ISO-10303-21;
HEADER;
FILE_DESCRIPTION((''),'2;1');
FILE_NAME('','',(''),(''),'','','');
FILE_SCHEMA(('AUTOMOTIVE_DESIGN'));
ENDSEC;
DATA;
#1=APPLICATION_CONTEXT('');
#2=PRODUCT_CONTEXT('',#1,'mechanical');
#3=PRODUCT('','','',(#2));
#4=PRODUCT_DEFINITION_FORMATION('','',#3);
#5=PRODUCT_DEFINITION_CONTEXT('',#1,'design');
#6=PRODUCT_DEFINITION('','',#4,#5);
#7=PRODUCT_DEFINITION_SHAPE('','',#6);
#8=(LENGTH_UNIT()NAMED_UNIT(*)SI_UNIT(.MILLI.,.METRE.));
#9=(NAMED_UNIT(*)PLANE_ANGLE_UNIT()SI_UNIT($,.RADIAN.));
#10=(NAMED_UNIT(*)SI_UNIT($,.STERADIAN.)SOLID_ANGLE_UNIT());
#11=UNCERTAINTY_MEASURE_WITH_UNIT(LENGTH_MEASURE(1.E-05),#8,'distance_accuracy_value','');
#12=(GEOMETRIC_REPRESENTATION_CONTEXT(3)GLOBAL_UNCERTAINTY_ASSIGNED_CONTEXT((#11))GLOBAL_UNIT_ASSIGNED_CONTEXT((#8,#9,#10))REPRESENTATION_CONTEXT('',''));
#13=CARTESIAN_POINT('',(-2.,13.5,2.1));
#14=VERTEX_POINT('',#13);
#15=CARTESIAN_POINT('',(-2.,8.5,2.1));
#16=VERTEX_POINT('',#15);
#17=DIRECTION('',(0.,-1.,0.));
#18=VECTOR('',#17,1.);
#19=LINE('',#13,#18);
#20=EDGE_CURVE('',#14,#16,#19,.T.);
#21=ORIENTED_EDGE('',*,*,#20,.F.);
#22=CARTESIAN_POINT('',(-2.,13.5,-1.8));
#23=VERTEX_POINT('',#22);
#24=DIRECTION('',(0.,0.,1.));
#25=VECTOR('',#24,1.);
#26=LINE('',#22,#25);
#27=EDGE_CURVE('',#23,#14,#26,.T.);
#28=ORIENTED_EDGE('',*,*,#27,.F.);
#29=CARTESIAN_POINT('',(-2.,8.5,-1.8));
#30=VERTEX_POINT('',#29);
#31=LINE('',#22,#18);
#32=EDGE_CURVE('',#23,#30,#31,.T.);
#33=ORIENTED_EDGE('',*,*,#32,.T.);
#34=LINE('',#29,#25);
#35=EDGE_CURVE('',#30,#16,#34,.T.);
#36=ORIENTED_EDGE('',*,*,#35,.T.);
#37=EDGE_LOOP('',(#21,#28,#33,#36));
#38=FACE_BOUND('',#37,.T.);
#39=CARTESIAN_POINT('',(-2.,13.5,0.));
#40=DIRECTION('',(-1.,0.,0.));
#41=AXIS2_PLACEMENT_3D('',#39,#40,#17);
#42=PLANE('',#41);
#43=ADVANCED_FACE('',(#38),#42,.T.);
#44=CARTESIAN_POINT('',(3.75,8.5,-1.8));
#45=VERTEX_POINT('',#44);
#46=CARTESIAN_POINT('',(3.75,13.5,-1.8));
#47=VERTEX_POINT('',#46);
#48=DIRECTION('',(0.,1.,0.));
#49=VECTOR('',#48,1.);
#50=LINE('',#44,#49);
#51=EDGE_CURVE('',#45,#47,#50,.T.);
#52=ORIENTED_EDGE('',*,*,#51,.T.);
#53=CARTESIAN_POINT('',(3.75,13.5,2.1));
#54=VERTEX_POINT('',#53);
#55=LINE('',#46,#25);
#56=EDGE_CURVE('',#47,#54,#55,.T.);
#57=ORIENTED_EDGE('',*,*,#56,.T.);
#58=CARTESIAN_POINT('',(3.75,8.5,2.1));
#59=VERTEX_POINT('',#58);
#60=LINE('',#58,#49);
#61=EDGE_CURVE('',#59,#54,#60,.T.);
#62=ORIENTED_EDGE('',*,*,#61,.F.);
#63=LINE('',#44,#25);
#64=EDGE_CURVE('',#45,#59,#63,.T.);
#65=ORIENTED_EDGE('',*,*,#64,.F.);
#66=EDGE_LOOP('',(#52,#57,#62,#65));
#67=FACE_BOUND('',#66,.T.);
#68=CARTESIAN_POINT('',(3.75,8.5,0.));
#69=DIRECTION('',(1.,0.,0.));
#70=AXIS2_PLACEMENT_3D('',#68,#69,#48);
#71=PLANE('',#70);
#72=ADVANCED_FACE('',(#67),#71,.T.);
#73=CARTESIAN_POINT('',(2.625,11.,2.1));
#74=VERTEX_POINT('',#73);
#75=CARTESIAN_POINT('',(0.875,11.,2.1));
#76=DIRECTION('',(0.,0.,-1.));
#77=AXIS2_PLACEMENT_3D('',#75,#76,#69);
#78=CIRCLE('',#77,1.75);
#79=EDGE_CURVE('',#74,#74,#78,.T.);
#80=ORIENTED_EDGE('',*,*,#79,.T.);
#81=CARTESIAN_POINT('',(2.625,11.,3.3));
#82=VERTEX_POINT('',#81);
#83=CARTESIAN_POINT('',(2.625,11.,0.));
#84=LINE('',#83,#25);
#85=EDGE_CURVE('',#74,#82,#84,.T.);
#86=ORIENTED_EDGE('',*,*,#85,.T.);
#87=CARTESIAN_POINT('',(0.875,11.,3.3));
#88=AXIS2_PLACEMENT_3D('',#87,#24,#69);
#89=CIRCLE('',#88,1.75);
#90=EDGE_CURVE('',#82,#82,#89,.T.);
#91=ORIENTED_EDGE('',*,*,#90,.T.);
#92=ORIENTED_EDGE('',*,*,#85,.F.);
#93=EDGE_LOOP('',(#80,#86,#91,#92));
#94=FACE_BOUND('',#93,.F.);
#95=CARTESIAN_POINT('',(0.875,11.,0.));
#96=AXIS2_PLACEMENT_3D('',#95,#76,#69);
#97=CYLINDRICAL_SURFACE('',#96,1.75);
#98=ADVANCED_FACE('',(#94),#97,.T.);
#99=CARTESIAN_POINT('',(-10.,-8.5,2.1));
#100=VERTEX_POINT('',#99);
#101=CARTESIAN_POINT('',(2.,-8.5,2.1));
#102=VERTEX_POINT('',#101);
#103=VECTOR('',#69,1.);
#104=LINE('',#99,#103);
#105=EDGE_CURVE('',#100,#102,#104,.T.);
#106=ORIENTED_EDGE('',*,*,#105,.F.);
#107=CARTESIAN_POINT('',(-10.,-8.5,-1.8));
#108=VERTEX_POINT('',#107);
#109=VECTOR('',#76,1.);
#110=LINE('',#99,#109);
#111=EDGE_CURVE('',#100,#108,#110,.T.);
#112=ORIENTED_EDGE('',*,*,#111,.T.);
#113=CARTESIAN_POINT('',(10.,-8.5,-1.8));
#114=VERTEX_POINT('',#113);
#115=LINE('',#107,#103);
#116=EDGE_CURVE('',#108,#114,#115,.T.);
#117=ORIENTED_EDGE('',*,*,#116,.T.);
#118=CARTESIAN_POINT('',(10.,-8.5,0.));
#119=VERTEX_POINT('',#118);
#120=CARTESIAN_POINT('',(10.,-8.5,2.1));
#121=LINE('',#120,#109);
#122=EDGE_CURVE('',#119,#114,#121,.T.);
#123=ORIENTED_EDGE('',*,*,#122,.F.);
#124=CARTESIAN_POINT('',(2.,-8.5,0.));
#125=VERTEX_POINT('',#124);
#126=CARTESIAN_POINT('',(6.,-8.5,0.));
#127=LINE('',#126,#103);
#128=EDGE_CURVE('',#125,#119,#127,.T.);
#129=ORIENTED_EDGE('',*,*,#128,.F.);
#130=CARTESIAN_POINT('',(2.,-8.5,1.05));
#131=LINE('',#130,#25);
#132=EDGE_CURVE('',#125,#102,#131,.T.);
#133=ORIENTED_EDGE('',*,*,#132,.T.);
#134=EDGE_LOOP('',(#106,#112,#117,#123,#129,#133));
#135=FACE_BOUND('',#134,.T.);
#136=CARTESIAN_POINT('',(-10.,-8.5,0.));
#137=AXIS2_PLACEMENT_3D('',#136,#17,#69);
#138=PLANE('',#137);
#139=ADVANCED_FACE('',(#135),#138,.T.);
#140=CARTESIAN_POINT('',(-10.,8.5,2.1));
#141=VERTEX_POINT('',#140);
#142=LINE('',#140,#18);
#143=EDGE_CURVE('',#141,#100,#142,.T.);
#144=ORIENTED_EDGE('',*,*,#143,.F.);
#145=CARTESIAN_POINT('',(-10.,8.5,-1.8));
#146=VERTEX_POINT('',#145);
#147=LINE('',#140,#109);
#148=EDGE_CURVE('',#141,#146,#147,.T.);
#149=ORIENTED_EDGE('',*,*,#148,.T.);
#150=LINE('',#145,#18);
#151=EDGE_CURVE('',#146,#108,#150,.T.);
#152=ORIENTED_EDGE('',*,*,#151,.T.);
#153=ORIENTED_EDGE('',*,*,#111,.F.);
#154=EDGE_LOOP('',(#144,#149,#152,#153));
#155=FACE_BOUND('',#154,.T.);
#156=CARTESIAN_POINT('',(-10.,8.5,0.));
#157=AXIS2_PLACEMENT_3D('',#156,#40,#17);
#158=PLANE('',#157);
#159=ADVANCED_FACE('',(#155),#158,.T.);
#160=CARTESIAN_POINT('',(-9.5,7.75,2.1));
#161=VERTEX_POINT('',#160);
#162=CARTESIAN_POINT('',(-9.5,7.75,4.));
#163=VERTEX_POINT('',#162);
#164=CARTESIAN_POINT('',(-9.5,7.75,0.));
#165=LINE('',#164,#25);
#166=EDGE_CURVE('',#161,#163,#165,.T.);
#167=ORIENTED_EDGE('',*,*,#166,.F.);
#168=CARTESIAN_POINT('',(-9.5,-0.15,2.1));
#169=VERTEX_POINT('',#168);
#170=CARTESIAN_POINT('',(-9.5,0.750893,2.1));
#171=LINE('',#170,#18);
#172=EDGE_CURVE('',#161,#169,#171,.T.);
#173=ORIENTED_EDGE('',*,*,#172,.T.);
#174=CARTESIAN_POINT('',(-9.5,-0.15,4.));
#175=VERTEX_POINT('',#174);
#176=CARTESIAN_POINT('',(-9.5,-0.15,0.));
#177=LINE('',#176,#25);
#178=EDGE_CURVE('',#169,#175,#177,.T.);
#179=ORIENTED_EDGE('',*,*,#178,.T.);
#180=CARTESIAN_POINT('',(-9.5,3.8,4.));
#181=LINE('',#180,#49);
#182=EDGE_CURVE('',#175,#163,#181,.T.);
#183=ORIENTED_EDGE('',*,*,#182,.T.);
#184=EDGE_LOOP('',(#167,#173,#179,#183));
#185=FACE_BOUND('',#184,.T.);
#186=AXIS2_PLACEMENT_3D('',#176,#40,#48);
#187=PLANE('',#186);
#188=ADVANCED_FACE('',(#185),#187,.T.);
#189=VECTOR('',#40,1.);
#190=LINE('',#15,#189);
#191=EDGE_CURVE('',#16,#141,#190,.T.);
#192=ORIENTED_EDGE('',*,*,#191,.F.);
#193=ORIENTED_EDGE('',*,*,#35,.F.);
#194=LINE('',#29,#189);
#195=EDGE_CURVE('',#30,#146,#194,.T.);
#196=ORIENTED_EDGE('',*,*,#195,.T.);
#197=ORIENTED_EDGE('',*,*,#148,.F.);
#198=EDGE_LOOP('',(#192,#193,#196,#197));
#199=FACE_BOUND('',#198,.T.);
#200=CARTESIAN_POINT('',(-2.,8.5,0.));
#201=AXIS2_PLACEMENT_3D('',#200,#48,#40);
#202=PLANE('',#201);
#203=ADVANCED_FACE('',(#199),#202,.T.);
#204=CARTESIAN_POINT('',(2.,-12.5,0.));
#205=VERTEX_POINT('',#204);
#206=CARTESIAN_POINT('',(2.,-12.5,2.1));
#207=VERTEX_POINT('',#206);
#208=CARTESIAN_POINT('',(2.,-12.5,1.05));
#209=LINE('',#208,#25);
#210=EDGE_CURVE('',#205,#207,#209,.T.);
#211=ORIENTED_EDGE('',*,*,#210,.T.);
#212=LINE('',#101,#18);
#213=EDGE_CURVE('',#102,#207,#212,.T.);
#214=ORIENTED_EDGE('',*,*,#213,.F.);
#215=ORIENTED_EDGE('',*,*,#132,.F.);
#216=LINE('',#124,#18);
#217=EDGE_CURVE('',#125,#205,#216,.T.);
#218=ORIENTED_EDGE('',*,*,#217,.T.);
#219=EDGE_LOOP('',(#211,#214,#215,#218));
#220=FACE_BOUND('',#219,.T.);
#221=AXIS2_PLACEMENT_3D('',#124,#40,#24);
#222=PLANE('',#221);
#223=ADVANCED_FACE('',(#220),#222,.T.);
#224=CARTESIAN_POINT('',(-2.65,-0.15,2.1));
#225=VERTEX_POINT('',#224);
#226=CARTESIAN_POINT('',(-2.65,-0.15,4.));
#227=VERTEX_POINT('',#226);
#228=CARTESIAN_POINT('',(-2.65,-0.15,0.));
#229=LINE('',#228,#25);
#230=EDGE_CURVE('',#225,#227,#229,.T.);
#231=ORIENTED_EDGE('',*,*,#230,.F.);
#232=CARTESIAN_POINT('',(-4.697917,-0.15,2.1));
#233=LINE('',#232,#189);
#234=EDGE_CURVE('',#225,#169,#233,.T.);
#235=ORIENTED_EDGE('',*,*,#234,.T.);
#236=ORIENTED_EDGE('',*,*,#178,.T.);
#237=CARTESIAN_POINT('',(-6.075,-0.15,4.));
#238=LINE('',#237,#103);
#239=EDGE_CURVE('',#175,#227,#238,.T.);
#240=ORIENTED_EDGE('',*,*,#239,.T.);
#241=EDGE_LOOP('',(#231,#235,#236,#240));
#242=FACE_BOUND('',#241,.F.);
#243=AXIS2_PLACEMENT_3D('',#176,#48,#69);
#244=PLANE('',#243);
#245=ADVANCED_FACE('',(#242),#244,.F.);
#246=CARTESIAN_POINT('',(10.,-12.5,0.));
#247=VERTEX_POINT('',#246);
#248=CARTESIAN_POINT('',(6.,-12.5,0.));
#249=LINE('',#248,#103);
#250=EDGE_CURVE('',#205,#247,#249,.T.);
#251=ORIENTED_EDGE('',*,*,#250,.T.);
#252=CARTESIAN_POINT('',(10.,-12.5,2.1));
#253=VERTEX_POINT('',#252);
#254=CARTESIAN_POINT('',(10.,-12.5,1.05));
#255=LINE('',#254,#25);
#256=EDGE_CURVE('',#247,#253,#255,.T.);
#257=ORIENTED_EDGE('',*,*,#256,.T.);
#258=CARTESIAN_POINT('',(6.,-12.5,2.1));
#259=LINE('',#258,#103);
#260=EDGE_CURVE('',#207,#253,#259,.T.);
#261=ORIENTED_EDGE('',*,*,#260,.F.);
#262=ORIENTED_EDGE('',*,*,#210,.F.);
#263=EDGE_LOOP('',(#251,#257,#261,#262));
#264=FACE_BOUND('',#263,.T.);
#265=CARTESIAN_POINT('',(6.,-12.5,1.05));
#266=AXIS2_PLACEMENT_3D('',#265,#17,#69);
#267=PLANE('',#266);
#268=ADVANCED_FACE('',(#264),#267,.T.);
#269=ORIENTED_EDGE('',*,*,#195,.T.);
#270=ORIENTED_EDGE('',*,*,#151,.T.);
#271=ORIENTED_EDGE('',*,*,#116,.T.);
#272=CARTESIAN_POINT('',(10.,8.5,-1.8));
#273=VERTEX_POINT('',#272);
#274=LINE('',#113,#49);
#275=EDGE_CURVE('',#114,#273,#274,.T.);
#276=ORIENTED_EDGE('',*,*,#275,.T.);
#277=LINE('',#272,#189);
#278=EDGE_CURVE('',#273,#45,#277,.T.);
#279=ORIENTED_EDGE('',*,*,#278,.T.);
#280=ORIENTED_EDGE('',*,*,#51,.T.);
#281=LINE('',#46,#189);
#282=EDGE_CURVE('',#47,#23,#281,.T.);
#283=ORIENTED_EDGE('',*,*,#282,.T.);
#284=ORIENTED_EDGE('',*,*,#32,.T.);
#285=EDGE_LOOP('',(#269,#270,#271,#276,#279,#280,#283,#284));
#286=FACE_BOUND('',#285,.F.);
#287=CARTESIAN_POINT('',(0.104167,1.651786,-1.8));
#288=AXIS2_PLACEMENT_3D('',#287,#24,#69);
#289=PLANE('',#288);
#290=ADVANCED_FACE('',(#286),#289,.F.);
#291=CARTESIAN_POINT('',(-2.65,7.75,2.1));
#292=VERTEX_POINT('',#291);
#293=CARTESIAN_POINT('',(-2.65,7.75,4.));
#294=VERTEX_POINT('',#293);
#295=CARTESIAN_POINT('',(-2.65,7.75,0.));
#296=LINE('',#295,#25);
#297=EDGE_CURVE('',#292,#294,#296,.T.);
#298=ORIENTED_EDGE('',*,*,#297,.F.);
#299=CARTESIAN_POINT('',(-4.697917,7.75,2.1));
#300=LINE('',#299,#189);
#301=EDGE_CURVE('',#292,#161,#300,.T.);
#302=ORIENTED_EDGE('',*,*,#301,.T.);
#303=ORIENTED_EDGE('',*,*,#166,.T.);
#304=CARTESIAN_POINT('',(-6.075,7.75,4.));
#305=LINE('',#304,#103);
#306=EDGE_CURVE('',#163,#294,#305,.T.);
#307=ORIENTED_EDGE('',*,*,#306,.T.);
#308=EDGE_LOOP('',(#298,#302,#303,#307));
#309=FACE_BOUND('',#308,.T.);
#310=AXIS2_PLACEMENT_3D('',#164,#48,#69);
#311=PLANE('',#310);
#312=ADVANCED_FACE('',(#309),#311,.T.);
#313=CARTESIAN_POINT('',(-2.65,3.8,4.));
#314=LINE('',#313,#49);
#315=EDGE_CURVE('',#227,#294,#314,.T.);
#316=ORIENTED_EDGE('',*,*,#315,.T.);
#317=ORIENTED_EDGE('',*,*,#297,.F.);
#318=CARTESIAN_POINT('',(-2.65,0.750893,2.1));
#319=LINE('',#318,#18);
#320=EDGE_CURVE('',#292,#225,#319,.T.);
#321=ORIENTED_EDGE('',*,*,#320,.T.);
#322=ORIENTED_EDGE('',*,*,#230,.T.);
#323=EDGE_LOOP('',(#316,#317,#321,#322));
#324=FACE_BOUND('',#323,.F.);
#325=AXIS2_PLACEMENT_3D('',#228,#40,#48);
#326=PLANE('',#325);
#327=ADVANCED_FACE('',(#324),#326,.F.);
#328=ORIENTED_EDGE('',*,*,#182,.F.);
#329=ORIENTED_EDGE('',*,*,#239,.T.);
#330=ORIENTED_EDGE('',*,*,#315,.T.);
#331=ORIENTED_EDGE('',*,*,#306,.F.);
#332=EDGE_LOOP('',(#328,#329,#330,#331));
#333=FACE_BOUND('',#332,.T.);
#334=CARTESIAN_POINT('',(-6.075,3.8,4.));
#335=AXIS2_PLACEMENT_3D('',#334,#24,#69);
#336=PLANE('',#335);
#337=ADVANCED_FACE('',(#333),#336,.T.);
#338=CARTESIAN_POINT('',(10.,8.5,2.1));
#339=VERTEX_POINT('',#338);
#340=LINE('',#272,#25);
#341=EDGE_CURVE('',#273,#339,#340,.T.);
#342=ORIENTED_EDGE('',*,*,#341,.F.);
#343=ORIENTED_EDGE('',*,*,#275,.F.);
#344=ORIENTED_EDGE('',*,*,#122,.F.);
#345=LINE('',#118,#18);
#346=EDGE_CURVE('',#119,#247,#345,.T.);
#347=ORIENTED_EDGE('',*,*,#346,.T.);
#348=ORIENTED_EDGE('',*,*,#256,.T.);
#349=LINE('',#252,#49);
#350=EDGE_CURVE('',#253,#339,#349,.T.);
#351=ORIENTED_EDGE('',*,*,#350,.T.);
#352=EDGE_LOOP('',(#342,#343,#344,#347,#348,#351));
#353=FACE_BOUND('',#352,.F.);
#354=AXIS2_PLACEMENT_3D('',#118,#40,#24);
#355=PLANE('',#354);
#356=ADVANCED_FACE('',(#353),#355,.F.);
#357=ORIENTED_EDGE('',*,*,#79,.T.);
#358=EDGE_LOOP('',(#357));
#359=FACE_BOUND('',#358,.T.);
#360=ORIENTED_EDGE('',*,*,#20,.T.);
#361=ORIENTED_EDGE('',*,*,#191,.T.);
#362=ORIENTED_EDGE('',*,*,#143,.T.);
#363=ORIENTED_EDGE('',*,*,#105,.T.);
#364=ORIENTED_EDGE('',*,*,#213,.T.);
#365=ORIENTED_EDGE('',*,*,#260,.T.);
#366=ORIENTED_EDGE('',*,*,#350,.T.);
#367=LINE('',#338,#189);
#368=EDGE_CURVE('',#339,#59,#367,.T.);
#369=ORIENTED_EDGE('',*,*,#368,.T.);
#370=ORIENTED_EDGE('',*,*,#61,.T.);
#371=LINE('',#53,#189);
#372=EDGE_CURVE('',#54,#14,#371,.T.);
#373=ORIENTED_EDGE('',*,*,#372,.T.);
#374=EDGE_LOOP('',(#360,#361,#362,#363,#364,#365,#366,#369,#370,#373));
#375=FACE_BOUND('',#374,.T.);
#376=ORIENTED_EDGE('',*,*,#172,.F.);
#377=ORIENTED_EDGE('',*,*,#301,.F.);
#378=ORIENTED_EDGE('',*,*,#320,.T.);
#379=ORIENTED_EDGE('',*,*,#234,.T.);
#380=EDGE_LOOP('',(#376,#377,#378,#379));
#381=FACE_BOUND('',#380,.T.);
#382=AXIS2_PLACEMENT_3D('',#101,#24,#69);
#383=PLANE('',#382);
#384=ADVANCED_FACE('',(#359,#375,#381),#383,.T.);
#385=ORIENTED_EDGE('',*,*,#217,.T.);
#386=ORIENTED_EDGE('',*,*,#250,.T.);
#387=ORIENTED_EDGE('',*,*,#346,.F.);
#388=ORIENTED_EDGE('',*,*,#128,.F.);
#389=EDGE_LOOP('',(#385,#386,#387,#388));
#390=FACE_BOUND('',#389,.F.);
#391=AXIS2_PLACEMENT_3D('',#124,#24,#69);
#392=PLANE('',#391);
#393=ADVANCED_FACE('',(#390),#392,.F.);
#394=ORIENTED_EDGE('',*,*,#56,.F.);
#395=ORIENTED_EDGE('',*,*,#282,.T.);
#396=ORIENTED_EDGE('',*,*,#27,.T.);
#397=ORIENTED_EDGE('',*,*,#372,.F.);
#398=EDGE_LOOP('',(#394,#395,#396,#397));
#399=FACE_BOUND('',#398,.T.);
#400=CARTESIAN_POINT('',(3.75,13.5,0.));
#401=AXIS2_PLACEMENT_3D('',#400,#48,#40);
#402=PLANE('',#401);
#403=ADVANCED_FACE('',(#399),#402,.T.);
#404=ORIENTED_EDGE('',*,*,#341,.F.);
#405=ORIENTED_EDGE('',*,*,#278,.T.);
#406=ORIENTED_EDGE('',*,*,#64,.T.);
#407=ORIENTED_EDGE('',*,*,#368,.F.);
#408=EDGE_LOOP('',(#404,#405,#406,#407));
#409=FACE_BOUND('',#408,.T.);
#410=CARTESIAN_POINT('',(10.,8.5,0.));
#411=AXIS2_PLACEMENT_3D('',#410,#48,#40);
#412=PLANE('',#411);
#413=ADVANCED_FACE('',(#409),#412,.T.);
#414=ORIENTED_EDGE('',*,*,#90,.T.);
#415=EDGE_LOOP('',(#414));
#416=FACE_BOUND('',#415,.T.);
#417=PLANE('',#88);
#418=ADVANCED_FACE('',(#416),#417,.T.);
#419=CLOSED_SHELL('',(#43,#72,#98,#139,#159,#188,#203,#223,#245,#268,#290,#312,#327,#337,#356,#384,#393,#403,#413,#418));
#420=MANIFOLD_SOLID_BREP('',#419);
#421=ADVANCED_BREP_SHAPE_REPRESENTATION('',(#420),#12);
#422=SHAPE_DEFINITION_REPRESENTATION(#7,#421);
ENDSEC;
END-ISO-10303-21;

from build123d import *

# Parameters (mm, degrees)
F1_DEPTH      = 2.1
F1_DEPTH_BACK = 1.8
F2_R          = 1.75
F3_DEPTH      = 3.3
F4_W          = 6.85
F4_H          = 7.9
F5_DEPTH      = 4
F6_W          = 8
F6_H          = 2.1
F7_DEPTH      = 4


with BuildPart() as f1:
    # F0 (on Top) → F1 (new body, two sides)
    with BuildSketch(Plane.XY) as f1_sk:
        Polygon((10, -8.5), (10, 8.5), (3.75, 8.5), (3.75, 13.5), (-2, 13.5), (-2, 8.5), (-10, 8.5), (-10, -8.5), align=None)
    extrude(amount=F1_DEPTH)
    extrude(f1_sk.sketch, amount=-F1_DEPTH_BACK)

    # F2 (on Top) → F3 (join)
    with BuildSketch(Plane.XY):
        with Locations((0.875, 11)):
            Circle(F2_R)
    extrude(amount=F3_DEPTH)

    # F4 (on Top) → F5 (join)
    with BuildSketch(Plane.XY):
        with Locations((-6.075, 3.8)):
            Rectangle(F4_W, F4_H)
    extrude(amount=F5_DEPTH)

    # F6 (on face) → F7 (join)
    with BuildSketch(Plane.XZ.offset(8.5)):
        with Locations((6, 1.05)):
            Rectangle(F6_W, F6_H)
    extrude(amount=F7_DEPTH)


solid = f1.part
